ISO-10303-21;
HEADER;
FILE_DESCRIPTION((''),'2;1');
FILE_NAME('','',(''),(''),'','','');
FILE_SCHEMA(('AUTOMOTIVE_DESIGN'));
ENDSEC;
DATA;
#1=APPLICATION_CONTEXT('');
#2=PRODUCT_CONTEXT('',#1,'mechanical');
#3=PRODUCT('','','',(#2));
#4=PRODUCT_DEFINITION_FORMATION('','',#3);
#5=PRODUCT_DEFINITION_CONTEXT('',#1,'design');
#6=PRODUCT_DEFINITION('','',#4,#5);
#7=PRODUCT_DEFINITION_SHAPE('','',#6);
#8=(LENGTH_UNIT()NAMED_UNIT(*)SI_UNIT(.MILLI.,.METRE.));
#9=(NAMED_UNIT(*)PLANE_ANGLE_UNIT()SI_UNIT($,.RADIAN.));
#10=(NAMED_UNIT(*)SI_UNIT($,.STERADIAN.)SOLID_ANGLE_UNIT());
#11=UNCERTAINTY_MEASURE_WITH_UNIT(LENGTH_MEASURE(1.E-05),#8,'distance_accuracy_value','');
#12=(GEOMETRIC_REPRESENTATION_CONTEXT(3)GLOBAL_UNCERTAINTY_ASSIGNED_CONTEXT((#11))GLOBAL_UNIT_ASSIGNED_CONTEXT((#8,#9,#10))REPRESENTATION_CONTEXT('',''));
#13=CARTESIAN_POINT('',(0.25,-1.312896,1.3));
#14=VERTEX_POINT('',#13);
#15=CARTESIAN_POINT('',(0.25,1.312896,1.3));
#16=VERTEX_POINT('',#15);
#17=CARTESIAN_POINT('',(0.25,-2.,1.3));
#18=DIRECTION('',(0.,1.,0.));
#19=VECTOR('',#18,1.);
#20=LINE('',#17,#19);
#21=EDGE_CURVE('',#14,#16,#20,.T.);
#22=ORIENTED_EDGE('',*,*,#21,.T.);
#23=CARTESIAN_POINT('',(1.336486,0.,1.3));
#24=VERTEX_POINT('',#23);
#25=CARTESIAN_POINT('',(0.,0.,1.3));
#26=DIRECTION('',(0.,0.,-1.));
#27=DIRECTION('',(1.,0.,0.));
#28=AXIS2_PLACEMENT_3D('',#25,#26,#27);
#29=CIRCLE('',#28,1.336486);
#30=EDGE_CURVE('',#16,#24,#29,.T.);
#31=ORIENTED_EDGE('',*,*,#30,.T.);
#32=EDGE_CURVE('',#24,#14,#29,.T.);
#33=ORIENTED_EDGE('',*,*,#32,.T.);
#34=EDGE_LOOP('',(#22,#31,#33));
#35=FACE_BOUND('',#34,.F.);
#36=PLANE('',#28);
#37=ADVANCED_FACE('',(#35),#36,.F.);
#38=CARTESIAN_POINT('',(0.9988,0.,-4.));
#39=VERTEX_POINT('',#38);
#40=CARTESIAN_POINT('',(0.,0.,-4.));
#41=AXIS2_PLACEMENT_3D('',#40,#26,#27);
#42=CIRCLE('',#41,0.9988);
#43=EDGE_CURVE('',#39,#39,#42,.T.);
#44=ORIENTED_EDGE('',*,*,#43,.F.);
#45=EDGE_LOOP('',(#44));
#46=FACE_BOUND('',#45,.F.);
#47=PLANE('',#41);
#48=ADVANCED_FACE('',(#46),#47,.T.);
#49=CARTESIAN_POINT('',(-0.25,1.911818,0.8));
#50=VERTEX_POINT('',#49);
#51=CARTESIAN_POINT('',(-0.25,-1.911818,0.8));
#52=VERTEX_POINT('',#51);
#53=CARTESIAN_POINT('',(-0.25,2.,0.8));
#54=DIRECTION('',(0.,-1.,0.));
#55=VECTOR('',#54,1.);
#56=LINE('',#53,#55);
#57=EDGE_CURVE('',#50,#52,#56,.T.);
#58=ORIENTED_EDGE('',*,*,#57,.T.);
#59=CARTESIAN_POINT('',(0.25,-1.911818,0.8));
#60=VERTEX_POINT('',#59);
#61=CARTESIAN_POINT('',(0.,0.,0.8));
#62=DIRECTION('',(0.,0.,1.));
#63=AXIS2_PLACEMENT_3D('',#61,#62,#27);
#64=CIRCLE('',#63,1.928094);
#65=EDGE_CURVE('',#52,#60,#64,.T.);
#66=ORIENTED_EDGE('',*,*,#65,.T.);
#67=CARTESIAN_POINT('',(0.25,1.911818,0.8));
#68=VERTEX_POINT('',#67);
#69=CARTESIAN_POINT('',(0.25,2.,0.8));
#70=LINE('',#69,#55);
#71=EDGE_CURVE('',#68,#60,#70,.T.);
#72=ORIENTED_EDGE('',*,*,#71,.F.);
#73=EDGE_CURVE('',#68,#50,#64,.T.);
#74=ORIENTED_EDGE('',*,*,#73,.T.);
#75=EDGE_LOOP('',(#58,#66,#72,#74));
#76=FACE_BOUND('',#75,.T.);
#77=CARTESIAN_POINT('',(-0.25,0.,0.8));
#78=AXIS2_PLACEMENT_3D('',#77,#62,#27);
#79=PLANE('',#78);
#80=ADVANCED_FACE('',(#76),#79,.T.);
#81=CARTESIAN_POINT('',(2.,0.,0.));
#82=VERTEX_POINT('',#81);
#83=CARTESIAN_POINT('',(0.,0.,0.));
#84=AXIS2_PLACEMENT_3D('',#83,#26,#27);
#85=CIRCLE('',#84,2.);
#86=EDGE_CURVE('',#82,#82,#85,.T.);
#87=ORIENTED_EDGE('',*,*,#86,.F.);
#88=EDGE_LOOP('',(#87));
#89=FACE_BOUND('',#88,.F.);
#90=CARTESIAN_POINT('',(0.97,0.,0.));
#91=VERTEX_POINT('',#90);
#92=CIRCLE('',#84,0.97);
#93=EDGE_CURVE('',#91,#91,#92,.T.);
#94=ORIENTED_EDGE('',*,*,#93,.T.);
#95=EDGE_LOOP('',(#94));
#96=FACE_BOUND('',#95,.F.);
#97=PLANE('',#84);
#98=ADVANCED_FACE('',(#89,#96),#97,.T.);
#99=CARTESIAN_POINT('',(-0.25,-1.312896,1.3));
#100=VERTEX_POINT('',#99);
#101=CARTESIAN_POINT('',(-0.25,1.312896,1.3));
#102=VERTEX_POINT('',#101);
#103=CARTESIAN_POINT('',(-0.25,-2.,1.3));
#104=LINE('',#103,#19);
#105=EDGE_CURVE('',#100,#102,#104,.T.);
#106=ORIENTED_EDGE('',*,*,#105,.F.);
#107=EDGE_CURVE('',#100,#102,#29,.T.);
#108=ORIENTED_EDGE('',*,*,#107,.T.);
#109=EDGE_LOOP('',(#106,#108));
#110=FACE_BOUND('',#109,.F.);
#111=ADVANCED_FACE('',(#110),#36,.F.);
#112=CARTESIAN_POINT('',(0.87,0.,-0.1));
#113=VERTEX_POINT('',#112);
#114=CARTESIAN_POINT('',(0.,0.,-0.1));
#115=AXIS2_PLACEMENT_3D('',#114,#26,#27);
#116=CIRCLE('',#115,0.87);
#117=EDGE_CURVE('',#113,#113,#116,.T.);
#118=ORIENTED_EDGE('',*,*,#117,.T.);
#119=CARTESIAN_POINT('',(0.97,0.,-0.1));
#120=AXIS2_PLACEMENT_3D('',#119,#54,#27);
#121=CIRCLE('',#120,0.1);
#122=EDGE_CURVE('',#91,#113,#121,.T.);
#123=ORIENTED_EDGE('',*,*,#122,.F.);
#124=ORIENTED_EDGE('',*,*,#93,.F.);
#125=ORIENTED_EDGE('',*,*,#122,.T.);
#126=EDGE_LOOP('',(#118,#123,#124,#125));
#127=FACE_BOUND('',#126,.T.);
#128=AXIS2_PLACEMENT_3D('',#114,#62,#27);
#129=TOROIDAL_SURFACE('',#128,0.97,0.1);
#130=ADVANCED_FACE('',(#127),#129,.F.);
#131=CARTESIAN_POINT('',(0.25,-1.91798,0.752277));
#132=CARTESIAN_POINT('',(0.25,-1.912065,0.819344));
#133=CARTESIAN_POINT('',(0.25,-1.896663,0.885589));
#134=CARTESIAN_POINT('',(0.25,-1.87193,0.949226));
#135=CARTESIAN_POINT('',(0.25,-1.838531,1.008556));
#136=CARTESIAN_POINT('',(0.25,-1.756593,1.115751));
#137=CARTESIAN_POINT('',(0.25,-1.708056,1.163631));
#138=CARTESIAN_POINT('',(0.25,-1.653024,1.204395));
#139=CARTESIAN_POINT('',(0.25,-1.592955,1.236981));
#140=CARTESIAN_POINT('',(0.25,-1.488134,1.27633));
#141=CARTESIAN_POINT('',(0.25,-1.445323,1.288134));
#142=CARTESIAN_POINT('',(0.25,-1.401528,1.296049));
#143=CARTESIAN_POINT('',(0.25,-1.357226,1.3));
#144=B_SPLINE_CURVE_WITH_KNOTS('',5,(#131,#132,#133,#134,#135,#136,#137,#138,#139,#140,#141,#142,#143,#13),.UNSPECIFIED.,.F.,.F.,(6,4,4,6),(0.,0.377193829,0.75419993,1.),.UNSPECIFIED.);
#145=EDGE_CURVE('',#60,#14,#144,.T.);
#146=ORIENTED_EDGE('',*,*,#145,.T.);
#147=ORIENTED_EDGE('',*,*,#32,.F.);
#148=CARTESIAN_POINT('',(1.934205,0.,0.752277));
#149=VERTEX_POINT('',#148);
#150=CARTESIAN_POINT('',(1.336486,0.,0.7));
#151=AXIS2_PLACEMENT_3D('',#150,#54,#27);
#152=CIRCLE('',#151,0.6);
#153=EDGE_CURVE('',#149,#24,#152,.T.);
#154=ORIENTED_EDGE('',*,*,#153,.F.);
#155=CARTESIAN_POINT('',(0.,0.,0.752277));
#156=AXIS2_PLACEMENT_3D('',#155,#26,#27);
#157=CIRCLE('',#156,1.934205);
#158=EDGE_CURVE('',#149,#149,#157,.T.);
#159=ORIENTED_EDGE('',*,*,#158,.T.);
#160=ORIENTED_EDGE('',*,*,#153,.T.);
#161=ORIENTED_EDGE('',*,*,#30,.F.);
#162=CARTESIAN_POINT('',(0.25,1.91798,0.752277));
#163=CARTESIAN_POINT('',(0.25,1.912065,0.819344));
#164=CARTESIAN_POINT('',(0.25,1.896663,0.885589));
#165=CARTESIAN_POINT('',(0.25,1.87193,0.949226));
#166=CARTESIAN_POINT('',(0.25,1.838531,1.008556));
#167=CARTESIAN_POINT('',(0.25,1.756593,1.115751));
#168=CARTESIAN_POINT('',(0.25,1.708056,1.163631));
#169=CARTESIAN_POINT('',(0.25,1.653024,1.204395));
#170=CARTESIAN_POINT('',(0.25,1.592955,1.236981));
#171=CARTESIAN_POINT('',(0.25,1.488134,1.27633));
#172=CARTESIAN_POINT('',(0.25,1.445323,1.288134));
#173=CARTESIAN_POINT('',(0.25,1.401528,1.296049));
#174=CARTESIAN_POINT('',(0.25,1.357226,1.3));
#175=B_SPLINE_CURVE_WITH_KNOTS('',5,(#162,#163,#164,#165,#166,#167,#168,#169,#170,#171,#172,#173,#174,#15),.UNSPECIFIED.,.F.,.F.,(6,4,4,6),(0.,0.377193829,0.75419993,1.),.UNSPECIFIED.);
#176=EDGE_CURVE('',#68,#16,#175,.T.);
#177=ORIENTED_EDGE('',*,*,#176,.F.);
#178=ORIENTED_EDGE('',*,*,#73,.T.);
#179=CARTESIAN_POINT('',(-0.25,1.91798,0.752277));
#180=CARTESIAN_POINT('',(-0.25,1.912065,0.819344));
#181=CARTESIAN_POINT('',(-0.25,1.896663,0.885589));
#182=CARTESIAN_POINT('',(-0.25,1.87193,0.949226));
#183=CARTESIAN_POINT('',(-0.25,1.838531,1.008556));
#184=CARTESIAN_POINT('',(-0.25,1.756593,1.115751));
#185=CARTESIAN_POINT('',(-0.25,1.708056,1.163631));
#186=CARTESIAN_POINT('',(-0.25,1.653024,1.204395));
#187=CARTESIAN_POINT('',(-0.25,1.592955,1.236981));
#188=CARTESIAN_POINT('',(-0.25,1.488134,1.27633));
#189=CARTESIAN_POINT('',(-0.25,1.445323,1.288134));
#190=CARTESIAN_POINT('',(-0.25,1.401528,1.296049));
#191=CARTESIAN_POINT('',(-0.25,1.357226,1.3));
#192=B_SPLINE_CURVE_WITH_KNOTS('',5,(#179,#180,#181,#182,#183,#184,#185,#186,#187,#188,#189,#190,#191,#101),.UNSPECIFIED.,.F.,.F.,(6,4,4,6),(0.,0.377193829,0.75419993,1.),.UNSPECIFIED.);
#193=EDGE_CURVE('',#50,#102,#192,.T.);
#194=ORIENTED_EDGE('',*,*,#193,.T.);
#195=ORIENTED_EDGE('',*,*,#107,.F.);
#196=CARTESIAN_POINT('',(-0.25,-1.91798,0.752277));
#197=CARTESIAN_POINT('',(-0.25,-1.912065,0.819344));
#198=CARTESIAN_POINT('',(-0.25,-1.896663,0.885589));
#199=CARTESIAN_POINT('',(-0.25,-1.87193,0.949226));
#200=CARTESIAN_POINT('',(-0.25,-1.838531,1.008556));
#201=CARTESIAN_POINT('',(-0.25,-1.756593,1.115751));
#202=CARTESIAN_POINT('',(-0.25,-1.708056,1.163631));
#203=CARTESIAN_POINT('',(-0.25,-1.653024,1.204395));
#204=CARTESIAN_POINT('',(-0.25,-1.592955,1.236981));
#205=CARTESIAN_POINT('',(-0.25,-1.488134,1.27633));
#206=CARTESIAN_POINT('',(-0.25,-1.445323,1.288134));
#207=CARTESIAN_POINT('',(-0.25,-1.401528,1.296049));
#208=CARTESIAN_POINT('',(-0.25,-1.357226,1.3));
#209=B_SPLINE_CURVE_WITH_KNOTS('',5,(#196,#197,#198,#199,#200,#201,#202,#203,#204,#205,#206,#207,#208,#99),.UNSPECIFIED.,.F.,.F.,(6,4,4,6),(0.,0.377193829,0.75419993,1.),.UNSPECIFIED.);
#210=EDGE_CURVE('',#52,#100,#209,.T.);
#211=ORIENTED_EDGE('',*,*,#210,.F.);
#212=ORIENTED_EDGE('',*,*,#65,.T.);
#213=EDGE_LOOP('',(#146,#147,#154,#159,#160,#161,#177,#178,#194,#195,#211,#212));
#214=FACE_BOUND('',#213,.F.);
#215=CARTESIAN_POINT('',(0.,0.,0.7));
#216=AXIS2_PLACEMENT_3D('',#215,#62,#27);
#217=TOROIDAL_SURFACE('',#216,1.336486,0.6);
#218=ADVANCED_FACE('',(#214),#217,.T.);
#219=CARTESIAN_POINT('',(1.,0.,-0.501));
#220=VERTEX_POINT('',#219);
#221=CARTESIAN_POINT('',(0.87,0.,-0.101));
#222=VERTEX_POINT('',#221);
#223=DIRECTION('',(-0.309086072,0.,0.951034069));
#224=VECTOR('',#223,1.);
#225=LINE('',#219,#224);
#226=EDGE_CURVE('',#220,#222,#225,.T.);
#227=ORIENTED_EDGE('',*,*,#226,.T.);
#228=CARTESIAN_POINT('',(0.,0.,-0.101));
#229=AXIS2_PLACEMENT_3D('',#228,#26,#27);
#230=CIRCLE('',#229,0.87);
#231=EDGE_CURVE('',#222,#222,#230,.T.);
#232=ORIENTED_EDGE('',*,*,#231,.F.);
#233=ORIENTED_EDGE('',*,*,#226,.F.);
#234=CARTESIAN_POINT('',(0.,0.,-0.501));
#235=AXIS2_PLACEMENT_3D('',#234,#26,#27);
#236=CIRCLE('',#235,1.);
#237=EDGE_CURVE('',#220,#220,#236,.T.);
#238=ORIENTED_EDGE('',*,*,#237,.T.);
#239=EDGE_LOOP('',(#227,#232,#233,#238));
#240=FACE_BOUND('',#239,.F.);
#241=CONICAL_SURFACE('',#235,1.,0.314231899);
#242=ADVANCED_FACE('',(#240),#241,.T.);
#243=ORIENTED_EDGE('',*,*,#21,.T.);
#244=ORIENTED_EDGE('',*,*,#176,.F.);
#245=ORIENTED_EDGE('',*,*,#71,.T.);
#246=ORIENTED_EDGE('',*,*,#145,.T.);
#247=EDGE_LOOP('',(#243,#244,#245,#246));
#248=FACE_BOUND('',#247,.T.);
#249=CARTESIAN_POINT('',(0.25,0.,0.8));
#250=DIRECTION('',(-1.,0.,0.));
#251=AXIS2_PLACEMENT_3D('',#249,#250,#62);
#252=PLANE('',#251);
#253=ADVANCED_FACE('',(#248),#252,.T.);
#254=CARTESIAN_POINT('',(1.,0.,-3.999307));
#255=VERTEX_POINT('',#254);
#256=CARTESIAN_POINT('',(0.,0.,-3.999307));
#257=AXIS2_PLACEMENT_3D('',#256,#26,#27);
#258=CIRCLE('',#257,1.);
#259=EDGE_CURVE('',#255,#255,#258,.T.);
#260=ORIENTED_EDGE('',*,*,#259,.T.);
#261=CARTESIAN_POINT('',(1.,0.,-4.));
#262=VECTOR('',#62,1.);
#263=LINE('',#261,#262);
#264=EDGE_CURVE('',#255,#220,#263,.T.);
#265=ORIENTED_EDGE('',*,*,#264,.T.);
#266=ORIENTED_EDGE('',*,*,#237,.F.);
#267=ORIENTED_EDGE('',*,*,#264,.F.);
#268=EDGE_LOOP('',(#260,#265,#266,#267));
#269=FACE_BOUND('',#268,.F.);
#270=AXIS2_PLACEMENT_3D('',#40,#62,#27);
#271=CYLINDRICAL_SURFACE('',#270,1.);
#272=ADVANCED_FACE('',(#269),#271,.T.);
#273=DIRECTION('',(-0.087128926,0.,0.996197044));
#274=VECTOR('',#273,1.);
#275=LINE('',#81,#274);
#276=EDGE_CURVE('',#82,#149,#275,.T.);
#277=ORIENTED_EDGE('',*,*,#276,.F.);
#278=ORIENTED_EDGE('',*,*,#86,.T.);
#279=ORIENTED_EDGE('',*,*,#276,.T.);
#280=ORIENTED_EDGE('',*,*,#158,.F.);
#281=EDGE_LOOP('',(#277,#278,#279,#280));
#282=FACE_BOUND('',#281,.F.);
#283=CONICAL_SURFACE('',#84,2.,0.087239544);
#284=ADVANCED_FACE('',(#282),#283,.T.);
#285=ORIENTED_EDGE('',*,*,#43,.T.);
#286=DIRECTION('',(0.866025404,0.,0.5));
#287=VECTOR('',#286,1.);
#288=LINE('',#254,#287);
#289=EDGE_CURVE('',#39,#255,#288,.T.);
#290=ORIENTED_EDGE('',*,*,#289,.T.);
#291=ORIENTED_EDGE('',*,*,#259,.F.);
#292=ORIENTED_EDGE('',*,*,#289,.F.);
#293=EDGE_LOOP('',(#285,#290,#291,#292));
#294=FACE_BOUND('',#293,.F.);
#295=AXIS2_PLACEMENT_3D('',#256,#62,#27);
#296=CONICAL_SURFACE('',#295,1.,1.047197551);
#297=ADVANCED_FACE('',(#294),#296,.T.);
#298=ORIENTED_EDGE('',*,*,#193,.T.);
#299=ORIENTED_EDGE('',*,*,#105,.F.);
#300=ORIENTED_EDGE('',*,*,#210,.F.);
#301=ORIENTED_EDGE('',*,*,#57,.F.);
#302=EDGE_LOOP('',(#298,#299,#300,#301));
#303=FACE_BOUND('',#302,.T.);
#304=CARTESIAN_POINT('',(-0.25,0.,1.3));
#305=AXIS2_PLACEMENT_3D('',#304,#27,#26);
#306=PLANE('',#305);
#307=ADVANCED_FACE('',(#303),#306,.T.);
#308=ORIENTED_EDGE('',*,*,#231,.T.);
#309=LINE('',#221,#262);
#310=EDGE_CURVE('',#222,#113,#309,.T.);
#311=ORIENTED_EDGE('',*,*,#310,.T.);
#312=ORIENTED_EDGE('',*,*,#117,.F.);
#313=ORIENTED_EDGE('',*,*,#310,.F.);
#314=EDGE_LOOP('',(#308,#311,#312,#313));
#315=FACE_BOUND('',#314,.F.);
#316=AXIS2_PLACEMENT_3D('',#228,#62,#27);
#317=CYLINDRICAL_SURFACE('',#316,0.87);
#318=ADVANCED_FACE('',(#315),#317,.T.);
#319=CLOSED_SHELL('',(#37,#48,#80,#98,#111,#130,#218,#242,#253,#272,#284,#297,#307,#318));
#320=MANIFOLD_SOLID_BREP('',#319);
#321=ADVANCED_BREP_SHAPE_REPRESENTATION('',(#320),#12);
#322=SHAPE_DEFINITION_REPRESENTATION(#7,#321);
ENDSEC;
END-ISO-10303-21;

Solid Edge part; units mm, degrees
sketch "Sketch1" plane through (0, 0, 0) normal (0, -1, 0) x (1, 0, 0)
  line L0 (0, -4) -> (1, -4)
  line L1 (1, -4) -> (1, -0.501)
  line L2 (1, -0.501) -> (0.87, -0.101)
  line L3 (0.87, -0.101) -> (0.87, 0)
  line L4 (0.87, 0) -> (2, 0)
  line L5 (2, 0) -> (1.8863, 1.3)
  line L6 (1.8863, 1.3) -> (0, 1.3)
  dimension "D1" = 1
  dimension "D2" = 0.87
  dimension "D3" = 4
  dimension "D4" = 3.499
  dimension "D5" = 0.4
  dimension "D6" = 2
  dimension "D7" = 1.3
revolve "RevolvedProtrusion1" add sketch "Sketch1" angle 360 about axis through (0, 0, 6) along (0, 0, -1)
fillet "Round_1" radius 0.6 1 edges at (-1.8863, 0, 1.3)
sketch "Sketch2" plane through (0, 0, 0) normal (0, -1, 0) x (1, 0, 0)
  line L0 (-0.25, 1.3) -> (-0.25, 0.8)
  line L1 (-0.25, 0.8) -> (0.25, 0.8)
  line L2 (0.25, 0.8) -> (0.25, 1.3)
  line L3 (0.25, 1.3) -> (-0.25, 1.3)
  dimension "D1" = 0.5
  dimension "D2" = 0.5
  dimension "D3" = 1.3
extrude "ExtrudedCutout_1" cut sketch "Sketch2" along normal mid plane 4
cosmetic_thread "Thread_1" size "M2" thread depth 3.499
fillet "Round_2" radius 0.1 1 edges at (-0.87, 0, 0)
chamfer "Chamfer_1" distance 0.0012 angle 30 1 edges at (-1, 0, -4) measured on face at (0.6867, 0.6467, -4)
properties material "Steel"
